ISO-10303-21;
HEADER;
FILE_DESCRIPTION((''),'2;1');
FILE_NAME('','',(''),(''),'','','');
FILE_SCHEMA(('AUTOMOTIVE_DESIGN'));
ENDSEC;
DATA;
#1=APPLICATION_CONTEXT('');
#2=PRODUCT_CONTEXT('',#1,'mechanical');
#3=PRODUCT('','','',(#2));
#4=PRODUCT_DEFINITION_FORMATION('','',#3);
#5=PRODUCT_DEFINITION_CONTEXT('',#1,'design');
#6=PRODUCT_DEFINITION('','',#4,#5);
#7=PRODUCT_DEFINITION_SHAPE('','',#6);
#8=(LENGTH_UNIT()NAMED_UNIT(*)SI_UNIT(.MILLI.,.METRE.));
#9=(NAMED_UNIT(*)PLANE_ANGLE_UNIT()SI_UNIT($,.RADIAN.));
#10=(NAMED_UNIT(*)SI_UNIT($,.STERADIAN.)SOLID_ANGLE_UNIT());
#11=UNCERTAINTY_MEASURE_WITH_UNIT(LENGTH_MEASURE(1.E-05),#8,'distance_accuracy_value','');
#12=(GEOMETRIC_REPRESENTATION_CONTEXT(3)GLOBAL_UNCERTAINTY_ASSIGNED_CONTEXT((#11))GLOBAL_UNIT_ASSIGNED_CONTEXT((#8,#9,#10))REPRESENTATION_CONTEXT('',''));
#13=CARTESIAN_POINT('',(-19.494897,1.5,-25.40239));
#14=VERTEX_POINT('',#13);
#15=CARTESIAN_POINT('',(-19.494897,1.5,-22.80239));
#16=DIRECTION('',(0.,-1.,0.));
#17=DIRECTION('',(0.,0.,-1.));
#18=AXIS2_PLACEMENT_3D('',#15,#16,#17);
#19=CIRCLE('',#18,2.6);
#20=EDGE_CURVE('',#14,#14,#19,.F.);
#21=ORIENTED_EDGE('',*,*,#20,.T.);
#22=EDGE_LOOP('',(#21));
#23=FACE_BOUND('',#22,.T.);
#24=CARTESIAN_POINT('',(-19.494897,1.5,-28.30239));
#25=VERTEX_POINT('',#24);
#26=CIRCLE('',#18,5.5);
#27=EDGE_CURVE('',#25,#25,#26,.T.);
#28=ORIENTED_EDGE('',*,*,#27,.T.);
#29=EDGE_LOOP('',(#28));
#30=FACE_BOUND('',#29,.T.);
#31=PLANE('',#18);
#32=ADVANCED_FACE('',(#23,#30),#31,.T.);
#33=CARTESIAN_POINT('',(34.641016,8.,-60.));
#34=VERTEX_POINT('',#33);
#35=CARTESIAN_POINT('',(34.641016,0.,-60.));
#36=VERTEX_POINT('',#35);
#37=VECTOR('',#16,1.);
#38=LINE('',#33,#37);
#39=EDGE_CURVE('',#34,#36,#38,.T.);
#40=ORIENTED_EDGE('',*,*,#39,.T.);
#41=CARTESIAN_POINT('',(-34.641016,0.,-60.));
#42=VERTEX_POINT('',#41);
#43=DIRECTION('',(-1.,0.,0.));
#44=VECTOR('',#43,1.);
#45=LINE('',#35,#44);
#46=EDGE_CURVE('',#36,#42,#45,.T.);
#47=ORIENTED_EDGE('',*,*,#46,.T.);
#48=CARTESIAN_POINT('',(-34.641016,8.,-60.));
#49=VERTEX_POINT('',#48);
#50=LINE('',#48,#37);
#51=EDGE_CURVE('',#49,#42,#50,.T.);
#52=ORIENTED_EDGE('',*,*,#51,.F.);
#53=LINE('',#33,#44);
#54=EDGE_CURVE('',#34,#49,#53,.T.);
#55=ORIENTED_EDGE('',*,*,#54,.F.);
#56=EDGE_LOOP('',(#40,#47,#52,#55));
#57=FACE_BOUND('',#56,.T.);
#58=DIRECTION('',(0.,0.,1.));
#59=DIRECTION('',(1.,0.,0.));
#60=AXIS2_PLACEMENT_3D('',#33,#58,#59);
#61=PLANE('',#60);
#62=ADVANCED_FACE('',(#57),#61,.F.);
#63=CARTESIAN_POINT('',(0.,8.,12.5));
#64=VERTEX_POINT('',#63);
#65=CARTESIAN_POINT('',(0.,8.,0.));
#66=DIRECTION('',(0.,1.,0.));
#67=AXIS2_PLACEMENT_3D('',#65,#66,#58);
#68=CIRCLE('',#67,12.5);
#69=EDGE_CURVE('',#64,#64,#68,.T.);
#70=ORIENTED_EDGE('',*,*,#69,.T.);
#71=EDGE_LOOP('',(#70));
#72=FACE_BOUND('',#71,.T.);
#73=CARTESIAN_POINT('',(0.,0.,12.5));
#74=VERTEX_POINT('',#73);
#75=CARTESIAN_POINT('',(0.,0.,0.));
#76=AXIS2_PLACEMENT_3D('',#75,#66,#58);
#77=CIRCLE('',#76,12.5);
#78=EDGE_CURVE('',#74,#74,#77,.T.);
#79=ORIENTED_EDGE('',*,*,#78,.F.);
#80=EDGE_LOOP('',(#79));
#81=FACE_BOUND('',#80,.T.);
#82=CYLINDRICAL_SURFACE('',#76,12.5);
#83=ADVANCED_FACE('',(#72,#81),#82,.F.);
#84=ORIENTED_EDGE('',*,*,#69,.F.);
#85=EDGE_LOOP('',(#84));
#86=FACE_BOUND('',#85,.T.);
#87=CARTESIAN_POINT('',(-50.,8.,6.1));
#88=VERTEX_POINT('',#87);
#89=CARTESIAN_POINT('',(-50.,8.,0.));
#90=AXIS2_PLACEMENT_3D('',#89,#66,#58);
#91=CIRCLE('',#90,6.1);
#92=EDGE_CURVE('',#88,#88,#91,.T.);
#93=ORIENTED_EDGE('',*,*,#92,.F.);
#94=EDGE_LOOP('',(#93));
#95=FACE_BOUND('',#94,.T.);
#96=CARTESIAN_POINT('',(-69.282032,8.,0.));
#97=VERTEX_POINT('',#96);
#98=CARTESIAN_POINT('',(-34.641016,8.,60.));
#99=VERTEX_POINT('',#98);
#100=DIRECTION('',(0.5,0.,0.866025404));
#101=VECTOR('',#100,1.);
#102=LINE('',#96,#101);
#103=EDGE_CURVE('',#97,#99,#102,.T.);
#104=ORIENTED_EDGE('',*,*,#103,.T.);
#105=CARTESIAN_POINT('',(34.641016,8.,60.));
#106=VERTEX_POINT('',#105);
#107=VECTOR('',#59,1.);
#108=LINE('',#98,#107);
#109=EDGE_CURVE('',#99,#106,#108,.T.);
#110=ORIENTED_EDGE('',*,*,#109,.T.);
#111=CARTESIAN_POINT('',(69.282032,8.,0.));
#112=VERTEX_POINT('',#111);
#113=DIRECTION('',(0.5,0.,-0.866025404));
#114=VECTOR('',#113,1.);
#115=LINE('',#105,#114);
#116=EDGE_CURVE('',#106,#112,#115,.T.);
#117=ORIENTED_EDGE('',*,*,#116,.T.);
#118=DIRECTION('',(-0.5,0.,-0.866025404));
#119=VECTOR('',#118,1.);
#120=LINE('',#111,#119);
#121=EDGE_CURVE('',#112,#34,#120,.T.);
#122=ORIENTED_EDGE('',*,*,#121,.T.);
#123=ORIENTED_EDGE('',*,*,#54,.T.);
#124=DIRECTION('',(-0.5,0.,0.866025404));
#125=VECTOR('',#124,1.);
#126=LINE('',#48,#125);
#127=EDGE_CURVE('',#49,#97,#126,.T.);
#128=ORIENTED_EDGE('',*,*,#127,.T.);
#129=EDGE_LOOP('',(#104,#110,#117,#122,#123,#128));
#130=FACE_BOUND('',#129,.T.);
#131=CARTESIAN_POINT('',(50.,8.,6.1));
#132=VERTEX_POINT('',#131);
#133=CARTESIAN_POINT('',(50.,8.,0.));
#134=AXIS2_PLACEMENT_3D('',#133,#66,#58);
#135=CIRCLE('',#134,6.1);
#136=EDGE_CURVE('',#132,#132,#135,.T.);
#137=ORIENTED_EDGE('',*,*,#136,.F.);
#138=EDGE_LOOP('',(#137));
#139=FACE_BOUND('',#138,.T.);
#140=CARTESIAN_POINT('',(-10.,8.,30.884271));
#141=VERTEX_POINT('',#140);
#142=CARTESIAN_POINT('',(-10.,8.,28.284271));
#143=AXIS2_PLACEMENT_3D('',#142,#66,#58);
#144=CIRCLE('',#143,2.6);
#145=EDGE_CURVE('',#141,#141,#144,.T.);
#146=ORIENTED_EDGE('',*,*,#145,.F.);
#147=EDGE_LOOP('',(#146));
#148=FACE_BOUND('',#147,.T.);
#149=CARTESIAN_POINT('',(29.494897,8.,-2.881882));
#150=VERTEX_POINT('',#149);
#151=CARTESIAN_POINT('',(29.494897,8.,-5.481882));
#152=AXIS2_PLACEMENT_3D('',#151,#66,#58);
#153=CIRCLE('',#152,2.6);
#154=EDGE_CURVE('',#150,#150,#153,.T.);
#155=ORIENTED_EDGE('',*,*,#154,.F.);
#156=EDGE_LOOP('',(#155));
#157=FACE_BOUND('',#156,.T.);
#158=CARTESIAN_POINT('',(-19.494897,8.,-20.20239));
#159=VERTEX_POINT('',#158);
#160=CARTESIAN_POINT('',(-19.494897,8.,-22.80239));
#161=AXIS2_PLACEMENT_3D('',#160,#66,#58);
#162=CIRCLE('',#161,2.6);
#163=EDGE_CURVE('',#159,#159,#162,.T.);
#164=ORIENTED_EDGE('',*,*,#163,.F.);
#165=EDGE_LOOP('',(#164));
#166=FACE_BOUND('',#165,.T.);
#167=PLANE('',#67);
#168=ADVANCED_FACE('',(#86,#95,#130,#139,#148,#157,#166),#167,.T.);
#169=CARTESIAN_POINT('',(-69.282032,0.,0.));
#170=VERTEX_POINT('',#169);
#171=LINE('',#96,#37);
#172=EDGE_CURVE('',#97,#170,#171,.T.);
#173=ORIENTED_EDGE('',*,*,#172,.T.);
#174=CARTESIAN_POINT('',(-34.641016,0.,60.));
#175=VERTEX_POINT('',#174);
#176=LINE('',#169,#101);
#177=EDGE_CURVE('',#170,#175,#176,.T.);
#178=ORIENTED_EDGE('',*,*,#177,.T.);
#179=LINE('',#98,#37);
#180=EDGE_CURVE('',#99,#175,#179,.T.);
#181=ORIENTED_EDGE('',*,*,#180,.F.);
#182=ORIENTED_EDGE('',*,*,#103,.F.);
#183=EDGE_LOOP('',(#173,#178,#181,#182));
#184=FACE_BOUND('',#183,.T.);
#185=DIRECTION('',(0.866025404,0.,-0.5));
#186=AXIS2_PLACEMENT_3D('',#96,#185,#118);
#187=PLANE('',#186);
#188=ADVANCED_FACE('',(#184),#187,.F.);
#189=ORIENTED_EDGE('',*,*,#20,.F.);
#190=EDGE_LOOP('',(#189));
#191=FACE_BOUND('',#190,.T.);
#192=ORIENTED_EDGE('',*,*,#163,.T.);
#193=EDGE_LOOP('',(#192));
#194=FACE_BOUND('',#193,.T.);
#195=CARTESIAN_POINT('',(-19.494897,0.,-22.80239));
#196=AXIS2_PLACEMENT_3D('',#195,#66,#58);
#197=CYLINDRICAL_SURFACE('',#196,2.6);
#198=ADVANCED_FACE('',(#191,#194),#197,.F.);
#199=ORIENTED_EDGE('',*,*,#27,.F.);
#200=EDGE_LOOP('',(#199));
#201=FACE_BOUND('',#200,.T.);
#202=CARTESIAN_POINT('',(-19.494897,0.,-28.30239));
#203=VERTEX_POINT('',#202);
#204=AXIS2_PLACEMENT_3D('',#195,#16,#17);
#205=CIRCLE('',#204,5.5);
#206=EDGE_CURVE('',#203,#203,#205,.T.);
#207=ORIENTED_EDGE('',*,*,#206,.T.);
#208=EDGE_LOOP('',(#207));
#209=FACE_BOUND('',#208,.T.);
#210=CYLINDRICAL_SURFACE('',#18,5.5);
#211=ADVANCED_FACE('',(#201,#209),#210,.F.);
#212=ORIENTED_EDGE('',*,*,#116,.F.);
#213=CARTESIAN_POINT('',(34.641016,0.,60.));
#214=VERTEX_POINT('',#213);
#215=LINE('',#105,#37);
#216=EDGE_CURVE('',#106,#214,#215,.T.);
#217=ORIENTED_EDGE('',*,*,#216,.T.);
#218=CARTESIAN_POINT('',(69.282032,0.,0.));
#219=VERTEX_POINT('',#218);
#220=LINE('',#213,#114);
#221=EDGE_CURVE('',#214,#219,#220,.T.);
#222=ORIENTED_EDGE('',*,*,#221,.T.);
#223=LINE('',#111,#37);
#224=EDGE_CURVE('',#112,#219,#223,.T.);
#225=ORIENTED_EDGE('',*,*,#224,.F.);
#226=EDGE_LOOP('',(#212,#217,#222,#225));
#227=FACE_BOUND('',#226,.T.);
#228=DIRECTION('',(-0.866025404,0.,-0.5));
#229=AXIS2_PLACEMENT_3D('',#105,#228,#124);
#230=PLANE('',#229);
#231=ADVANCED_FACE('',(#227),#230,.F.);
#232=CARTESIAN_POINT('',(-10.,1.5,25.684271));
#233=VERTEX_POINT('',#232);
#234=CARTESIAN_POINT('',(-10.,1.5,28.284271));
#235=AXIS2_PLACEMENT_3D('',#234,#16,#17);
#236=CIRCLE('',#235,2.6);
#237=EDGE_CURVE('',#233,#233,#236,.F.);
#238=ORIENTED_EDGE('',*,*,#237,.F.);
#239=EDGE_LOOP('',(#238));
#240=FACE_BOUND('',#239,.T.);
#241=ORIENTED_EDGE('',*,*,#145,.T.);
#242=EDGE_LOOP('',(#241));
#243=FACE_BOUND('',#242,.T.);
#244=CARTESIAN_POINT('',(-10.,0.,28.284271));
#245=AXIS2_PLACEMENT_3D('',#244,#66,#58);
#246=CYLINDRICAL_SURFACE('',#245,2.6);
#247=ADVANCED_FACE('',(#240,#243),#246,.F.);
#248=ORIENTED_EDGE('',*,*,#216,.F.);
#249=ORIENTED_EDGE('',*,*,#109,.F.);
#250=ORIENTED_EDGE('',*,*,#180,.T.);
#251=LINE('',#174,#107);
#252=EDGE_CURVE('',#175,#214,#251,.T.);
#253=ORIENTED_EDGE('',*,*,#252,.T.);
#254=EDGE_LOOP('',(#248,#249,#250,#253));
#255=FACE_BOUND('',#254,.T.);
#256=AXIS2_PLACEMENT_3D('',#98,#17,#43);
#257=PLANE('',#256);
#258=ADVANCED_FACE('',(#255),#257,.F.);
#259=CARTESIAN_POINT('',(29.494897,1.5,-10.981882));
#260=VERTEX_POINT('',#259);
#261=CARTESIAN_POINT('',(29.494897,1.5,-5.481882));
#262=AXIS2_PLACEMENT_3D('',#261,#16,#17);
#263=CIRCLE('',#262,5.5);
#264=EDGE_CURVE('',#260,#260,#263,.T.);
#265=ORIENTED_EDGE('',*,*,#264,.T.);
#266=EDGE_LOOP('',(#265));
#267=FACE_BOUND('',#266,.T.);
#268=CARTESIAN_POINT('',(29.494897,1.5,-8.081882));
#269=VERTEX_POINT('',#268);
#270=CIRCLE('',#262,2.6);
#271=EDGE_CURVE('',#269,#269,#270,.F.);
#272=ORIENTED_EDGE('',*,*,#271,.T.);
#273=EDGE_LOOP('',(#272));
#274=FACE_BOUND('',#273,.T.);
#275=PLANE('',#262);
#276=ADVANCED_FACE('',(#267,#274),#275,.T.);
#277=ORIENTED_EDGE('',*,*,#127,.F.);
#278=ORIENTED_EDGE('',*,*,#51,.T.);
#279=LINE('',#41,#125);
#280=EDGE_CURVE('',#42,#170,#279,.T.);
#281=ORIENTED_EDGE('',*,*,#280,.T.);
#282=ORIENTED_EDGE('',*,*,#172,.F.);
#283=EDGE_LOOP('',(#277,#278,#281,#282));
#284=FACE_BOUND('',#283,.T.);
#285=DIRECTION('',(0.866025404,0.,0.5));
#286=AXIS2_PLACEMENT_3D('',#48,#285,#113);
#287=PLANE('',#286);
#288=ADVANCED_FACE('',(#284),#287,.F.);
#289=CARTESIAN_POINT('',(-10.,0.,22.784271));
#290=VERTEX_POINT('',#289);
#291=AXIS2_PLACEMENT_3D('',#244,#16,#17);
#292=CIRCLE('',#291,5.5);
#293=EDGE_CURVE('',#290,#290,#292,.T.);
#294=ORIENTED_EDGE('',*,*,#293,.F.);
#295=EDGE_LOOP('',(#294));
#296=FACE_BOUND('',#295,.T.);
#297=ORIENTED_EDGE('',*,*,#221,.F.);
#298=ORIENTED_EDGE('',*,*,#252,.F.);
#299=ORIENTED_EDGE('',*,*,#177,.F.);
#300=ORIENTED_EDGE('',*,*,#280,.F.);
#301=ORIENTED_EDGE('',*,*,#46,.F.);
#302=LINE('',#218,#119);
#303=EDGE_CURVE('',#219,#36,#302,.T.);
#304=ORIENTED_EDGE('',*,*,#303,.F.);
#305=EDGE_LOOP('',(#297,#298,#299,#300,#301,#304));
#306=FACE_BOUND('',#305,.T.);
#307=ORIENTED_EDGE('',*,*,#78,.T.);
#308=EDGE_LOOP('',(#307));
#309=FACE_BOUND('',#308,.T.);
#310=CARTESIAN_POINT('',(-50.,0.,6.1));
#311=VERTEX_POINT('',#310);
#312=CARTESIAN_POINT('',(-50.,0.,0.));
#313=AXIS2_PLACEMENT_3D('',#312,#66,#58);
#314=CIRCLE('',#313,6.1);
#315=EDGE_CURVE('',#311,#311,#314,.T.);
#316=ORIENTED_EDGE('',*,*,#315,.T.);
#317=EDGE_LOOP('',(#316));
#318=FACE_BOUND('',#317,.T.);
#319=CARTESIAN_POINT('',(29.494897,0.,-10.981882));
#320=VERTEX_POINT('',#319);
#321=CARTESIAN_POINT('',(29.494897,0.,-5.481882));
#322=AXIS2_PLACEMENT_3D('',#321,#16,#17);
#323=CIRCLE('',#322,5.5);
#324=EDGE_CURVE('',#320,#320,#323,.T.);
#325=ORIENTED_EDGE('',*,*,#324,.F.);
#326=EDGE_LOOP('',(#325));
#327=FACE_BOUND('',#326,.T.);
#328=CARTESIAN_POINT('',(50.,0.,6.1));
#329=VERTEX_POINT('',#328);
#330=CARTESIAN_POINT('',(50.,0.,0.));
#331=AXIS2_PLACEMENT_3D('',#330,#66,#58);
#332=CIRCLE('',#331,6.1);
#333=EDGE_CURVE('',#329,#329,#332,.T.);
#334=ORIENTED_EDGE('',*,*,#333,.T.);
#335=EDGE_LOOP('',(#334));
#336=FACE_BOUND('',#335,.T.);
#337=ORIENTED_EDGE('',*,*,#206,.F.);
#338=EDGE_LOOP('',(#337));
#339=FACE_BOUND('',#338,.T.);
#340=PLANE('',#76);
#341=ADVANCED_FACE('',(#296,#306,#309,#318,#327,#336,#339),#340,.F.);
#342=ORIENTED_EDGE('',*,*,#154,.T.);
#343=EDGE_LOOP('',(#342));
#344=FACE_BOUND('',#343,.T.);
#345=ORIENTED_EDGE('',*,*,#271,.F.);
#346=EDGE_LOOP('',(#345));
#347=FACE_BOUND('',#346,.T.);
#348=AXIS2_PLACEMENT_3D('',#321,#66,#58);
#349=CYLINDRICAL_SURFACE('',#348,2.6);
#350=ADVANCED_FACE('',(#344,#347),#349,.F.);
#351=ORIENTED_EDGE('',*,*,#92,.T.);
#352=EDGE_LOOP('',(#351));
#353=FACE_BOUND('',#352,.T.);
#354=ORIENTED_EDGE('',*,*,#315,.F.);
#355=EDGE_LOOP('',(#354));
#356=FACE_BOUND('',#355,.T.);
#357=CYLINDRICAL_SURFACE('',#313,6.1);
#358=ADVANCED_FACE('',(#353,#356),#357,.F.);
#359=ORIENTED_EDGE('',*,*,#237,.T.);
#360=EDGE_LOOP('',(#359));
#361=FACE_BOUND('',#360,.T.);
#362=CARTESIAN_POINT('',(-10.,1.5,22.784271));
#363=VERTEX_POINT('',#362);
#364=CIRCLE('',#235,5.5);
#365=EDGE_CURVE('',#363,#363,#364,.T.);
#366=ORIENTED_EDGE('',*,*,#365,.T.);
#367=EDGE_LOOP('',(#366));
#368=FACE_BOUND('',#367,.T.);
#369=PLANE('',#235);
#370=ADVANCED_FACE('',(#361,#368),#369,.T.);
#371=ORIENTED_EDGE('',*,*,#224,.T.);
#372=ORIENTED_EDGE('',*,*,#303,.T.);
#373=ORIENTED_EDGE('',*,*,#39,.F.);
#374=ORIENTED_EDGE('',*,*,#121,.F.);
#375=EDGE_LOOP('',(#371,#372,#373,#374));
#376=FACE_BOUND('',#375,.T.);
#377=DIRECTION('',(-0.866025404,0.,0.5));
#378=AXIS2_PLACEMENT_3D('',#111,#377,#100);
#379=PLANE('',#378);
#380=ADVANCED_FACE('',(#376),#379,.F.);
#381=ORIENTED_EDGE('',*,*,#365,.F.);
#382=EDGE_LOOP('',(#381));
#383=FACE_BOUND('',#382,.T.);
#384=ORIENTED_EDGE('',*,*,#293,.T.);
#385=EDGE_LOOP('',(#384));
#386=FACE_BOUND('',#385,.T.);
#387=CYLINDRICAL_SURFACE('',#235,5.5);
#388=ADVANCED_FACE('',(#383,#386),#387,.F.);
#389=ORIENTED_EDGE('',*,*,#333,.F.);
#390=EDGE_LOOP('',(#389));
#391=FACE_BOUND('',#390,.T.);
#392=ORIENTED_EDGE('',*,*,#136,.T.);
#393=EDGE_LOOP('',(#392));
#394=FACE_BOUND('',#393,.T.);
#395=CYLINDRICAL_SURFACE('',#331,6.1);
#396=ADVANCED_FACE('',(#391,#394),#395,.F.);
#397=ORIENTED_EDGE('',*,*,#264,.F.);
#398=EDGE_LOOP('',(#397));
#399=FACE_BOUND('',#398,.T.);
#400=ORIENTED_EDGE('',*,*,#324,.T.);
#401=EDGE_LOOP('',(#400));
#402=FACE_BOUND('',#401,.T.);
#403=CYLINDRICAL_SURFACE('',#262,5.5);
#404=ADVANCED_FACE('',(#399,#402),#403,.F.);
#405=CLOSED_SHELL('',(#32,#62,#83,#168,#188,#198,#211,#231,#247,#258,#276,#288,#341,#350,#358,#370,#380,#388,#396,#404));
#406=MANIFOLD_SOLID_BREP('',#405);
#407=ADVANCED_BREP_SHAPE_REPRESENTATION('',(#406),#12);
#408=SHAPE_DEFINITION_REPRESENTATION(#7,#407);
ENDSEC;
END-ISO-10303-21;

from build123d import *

# Parameters (mm, degrees)
EXTRUDE_1_DEPTH     = 8
SKETCH_2_R          = 6.1
CUT_EXTRUDE_1_DEPTH = 93
SKETCH_4_R          = 12.5
CUT_EXTRUDE_3_DEPTH = 93
SKETCH_5_R          = 2.6
CUT_EXTRUDE_4_DEPTH = 93
SKETCH_6_R          = 5.5
CUT_EXTRUDE_5_DEPTH = 1.5


with BuildPart() as part:
    # 草图1 → 凸台-拉伸1 (new body)
    with BuildSketch(Plane(origin=(0, 0, 0), x_dir=(1, 0, 0), z_dir=(0, 1, 0))):
        Polygon((69.282032303, 0), (34.641016151, 60), (-34.641016151, 60), (-69.282032303, 0), (-34.641016151, -60), (34.641016151, -60), align=None)
    extrude(amount=EXTRUDE_1_DEPTH)

    # 草图2 → 切除-拉伸1 (cut, through all)
    with BuildSketch(Plane(origin=(0, 8, 0), x_dir=(1, 0, 0), z_dir=(0, 1, 0))):
        with Locations(Location((-50, 0, 0), (0, 0, 270))):
            Circle(SKETCH_2_R)
        with Locations(Location((50, 0, 0), (0, 0, 270))):
            Circle(SKETCH_2_R)
    extrude(amount=-CUT_EXTRUDE_1_DEPTH, mode=Mode.SUBTRACT)

    # 草图4 → 切除-拉伸3 (cut, through all)
    with BuildSketch(Plane(origin=(0, 8, 0), x_dir=(1, 0, 0), z_dir=(0, 1, 0))):
        with Locations(Location((0, 0, 0), (0, 0, 270))):
            Circle(SKETCH_4_R)
    extrude(amount=-CUT_EXTRUDE_3_DEPTH, mode=Mode.SUBTRACT)

    # 草图5 → 切除-拉伸4 (cut, through all)
    with BuildSketch(Plane(origin=(0, 8, 0), x_dir=(1, 0, 0), z_dir=(0, 1, 0))):
        with Locations(Location((-10, -28.284271247, 0), (0, 0, 270))):
            Circle(SKETCH_5_R)
        with Locations(Location((-19.494897428, 22.802389662, 0), (0, 0, 270))):
            Circle(SKETCH_5_R)
        with Locations(Location((29.494897428, 5.481881586, 0), (0, 0, 270))):
            Circle(SKETCH_5_R)
    extrude(amount=-CUT_EXTRUDE_4_DEPTH, mode=Mode.SUBTRACT)

    # 草图6 → 切除-拉伸5 (cut)
    with BuildSketch(Plane.XZ):
        with Locations(Location((-10, 28.284271247, 0), (0, 0, 270))):
            Circle(SKETCH_6_R)
        with Locations(Location((-19.494897428, -22.802389662, 0), (0, 0, 270))):
            Circle(SKETCH_6_R)
        with Locations(Location((29.494897428, -5.481881586, 0), (0, 0, 270))):
            Circle(SKETCH_6_R)
    extrude(amount=-CUT_EXTRUDE_5_DEPTH, mode=Mode.SUBTRACT)


solid = part.part
